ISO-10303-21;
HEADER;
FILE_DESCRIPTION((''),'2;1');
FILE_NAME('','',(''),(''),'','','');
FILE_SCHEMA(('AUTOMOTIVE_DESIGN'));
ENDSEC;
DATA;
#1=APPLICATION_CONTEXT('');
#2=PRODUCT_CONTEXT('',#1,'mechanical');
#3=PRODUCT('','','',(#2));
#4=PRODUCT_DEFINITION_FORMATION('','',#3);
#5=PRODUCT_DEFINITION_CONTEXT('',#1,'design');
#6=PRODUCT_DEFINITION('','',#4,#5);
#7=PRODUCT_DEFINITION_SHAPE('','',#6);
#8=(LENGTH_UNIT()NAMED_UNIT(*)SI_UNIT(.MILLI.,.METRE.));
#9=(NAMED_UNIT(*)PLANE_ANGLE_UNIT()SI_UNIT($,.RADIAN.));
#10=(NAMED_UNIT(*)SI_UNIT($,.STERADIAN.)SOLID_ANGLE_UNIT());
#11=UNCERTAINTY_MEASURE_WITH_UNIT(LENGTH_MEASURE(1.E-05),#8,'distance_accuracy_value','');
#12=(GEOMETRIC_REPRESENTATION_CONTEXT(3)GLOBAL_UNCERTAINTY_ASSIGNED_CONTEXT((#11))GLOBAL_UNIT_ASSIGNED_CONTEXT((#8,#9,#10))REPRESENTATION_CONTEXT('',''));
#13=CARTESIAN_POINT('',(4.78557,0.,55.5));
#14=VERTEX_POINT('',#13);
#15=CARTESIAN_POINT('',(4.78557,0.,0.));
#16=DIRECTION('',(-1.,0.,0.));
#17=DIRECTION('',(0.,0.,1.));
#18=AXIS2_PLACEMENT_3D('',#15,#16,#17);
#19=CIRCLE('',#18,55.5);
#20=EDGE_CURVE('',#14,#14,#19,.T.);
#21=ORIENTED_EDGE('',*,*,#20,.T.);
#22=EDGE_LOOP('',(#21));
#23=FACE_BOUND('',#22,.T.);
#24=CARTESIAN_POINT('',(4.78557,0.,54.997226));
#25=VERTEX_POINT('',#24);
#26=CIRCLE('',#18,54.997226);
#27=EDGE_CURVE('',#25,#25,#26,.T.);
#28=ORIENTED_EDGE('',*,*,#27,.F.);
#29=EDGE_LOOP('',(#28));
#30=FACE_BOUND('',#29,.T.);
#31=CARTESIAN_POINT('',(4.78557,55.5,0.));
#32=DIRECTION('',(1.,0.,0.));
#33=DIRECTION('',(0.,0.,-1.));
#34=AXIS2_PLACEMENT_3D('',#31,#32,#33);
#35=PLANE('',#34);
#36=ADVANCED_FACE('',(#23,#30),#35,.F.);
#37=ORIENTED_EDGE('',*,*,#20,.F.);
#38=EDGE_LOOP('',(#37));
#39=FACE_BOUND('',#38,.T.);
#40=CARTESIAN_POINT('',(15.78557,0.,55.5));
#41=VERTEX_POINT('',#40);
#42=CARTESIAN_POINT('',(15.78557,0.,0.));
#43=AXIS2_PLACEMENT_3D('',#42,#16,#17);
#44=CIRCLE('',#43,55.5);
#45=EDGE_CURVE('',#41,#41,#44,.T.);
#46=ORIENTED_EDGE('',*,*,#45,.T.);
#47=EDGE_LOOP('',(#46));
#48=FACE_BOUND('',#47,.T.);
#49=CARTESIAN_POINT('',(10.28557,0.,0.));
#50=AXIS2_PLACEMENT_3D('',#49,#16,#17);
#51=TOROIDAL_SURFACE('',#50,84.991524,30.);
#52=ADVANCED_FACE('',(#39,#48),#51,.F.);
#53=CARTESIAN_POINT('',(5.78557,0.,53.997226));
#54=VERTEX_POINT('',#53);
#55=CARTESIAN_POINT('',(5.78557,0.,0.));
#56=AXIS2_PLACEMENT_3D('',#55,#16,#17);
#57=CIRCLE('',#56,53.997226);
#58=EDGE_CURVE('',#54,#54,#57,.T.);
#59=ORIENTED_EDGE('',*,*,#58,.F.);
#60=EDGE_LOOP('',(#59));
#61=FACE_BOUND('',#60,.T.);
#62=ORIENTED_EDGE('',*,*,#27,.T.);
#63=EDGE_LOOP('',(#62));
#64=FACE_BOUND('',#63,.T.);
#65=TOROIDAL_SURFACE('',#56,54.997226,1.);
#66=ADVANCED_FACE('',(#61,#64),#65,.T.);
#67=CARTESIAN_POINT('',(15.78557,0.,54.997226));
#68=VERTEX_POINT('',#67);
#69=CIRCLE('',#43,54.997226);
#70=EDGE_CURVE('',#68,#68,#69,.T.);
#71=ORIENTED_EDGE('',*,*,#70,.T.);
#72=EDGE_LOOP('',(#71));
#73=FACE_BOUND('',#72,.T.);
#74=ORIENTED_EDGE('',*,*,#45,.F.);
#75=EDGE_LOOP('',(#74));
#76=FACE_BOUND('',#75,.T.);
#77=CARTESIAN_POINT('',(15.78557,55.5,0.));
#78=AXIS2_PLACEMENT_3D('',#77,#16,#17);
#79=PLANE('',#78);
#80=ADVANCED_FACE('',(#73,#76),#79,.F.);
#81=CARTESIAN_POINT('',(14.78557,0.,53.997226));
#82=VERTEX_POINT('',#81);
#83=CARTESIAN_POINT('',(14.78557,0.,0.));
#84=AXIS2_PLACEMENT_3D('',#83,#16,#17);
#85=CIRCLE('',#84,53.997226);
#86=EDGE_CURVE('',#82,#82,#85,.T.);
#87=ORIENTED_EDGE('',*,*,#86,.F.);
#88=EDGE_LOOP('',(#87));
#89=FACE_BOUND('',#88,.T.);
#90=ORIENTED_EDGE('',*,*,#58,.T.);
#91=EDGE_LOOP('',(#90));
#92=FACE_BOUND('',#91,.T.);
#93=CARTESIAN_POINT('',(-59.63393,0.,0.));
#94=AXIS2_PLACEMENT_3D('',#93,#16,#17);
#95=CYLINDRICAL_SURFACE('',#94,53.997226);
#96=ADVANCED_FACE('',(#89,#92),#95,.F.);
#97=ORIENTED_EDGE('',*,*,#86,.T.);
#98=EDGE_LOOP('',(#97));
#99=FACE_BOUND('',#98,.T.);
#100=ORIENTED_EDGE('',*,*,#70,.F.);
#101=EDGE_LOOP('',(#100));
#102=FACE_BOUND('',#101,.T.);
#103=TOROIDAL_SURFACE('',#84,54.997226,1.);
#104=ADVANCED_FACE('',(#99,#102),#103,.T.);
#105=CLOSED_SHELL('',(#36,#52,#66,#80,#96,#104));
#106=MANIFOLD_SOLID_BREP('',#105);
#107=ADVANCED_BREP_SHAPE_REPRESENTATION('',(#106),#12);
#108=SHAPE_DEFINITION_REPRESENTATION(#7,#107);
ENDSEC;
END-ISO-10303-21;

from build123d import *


with BuildPart() as part:
    # Szkic1 → Obrót1 (revolve)
    with BuildSketch(Plane.XY, mode=Mode.PRIVATE) as obr_t1_sk:
        with BuildLine():
            Line((5.785570362, 53.997225536), (14.785570362, 53.997225536))
            ThreePointArc((14.785570362, 53.997225536), (15.492677143, 54.290118755), (15.785570362, 54.997225536))
            Line((15.785570362, 54.997225536), (15.785570362, 55.5))
            ThreePointArc((15.785570362, 55.5), (10.285570362, 54.991524206), (4.785570362, 55.5))
            Line((4.785570362, 55.5), (4.785570362, 54.997225536))
            ThreePointArc((4.785570362, 54.997225536), (5.078463581, 54.290118755), (5.785570362, 53.997225536))
        make_face()
    revolve(obr_t1_sk.sketch.rotate(Axis((-59.633930429, 0, 0), (1, 0, 0)), 90), axis=Axis((-59.633930429, 0, 0), (1, 0, 0)))


solid = part.part
